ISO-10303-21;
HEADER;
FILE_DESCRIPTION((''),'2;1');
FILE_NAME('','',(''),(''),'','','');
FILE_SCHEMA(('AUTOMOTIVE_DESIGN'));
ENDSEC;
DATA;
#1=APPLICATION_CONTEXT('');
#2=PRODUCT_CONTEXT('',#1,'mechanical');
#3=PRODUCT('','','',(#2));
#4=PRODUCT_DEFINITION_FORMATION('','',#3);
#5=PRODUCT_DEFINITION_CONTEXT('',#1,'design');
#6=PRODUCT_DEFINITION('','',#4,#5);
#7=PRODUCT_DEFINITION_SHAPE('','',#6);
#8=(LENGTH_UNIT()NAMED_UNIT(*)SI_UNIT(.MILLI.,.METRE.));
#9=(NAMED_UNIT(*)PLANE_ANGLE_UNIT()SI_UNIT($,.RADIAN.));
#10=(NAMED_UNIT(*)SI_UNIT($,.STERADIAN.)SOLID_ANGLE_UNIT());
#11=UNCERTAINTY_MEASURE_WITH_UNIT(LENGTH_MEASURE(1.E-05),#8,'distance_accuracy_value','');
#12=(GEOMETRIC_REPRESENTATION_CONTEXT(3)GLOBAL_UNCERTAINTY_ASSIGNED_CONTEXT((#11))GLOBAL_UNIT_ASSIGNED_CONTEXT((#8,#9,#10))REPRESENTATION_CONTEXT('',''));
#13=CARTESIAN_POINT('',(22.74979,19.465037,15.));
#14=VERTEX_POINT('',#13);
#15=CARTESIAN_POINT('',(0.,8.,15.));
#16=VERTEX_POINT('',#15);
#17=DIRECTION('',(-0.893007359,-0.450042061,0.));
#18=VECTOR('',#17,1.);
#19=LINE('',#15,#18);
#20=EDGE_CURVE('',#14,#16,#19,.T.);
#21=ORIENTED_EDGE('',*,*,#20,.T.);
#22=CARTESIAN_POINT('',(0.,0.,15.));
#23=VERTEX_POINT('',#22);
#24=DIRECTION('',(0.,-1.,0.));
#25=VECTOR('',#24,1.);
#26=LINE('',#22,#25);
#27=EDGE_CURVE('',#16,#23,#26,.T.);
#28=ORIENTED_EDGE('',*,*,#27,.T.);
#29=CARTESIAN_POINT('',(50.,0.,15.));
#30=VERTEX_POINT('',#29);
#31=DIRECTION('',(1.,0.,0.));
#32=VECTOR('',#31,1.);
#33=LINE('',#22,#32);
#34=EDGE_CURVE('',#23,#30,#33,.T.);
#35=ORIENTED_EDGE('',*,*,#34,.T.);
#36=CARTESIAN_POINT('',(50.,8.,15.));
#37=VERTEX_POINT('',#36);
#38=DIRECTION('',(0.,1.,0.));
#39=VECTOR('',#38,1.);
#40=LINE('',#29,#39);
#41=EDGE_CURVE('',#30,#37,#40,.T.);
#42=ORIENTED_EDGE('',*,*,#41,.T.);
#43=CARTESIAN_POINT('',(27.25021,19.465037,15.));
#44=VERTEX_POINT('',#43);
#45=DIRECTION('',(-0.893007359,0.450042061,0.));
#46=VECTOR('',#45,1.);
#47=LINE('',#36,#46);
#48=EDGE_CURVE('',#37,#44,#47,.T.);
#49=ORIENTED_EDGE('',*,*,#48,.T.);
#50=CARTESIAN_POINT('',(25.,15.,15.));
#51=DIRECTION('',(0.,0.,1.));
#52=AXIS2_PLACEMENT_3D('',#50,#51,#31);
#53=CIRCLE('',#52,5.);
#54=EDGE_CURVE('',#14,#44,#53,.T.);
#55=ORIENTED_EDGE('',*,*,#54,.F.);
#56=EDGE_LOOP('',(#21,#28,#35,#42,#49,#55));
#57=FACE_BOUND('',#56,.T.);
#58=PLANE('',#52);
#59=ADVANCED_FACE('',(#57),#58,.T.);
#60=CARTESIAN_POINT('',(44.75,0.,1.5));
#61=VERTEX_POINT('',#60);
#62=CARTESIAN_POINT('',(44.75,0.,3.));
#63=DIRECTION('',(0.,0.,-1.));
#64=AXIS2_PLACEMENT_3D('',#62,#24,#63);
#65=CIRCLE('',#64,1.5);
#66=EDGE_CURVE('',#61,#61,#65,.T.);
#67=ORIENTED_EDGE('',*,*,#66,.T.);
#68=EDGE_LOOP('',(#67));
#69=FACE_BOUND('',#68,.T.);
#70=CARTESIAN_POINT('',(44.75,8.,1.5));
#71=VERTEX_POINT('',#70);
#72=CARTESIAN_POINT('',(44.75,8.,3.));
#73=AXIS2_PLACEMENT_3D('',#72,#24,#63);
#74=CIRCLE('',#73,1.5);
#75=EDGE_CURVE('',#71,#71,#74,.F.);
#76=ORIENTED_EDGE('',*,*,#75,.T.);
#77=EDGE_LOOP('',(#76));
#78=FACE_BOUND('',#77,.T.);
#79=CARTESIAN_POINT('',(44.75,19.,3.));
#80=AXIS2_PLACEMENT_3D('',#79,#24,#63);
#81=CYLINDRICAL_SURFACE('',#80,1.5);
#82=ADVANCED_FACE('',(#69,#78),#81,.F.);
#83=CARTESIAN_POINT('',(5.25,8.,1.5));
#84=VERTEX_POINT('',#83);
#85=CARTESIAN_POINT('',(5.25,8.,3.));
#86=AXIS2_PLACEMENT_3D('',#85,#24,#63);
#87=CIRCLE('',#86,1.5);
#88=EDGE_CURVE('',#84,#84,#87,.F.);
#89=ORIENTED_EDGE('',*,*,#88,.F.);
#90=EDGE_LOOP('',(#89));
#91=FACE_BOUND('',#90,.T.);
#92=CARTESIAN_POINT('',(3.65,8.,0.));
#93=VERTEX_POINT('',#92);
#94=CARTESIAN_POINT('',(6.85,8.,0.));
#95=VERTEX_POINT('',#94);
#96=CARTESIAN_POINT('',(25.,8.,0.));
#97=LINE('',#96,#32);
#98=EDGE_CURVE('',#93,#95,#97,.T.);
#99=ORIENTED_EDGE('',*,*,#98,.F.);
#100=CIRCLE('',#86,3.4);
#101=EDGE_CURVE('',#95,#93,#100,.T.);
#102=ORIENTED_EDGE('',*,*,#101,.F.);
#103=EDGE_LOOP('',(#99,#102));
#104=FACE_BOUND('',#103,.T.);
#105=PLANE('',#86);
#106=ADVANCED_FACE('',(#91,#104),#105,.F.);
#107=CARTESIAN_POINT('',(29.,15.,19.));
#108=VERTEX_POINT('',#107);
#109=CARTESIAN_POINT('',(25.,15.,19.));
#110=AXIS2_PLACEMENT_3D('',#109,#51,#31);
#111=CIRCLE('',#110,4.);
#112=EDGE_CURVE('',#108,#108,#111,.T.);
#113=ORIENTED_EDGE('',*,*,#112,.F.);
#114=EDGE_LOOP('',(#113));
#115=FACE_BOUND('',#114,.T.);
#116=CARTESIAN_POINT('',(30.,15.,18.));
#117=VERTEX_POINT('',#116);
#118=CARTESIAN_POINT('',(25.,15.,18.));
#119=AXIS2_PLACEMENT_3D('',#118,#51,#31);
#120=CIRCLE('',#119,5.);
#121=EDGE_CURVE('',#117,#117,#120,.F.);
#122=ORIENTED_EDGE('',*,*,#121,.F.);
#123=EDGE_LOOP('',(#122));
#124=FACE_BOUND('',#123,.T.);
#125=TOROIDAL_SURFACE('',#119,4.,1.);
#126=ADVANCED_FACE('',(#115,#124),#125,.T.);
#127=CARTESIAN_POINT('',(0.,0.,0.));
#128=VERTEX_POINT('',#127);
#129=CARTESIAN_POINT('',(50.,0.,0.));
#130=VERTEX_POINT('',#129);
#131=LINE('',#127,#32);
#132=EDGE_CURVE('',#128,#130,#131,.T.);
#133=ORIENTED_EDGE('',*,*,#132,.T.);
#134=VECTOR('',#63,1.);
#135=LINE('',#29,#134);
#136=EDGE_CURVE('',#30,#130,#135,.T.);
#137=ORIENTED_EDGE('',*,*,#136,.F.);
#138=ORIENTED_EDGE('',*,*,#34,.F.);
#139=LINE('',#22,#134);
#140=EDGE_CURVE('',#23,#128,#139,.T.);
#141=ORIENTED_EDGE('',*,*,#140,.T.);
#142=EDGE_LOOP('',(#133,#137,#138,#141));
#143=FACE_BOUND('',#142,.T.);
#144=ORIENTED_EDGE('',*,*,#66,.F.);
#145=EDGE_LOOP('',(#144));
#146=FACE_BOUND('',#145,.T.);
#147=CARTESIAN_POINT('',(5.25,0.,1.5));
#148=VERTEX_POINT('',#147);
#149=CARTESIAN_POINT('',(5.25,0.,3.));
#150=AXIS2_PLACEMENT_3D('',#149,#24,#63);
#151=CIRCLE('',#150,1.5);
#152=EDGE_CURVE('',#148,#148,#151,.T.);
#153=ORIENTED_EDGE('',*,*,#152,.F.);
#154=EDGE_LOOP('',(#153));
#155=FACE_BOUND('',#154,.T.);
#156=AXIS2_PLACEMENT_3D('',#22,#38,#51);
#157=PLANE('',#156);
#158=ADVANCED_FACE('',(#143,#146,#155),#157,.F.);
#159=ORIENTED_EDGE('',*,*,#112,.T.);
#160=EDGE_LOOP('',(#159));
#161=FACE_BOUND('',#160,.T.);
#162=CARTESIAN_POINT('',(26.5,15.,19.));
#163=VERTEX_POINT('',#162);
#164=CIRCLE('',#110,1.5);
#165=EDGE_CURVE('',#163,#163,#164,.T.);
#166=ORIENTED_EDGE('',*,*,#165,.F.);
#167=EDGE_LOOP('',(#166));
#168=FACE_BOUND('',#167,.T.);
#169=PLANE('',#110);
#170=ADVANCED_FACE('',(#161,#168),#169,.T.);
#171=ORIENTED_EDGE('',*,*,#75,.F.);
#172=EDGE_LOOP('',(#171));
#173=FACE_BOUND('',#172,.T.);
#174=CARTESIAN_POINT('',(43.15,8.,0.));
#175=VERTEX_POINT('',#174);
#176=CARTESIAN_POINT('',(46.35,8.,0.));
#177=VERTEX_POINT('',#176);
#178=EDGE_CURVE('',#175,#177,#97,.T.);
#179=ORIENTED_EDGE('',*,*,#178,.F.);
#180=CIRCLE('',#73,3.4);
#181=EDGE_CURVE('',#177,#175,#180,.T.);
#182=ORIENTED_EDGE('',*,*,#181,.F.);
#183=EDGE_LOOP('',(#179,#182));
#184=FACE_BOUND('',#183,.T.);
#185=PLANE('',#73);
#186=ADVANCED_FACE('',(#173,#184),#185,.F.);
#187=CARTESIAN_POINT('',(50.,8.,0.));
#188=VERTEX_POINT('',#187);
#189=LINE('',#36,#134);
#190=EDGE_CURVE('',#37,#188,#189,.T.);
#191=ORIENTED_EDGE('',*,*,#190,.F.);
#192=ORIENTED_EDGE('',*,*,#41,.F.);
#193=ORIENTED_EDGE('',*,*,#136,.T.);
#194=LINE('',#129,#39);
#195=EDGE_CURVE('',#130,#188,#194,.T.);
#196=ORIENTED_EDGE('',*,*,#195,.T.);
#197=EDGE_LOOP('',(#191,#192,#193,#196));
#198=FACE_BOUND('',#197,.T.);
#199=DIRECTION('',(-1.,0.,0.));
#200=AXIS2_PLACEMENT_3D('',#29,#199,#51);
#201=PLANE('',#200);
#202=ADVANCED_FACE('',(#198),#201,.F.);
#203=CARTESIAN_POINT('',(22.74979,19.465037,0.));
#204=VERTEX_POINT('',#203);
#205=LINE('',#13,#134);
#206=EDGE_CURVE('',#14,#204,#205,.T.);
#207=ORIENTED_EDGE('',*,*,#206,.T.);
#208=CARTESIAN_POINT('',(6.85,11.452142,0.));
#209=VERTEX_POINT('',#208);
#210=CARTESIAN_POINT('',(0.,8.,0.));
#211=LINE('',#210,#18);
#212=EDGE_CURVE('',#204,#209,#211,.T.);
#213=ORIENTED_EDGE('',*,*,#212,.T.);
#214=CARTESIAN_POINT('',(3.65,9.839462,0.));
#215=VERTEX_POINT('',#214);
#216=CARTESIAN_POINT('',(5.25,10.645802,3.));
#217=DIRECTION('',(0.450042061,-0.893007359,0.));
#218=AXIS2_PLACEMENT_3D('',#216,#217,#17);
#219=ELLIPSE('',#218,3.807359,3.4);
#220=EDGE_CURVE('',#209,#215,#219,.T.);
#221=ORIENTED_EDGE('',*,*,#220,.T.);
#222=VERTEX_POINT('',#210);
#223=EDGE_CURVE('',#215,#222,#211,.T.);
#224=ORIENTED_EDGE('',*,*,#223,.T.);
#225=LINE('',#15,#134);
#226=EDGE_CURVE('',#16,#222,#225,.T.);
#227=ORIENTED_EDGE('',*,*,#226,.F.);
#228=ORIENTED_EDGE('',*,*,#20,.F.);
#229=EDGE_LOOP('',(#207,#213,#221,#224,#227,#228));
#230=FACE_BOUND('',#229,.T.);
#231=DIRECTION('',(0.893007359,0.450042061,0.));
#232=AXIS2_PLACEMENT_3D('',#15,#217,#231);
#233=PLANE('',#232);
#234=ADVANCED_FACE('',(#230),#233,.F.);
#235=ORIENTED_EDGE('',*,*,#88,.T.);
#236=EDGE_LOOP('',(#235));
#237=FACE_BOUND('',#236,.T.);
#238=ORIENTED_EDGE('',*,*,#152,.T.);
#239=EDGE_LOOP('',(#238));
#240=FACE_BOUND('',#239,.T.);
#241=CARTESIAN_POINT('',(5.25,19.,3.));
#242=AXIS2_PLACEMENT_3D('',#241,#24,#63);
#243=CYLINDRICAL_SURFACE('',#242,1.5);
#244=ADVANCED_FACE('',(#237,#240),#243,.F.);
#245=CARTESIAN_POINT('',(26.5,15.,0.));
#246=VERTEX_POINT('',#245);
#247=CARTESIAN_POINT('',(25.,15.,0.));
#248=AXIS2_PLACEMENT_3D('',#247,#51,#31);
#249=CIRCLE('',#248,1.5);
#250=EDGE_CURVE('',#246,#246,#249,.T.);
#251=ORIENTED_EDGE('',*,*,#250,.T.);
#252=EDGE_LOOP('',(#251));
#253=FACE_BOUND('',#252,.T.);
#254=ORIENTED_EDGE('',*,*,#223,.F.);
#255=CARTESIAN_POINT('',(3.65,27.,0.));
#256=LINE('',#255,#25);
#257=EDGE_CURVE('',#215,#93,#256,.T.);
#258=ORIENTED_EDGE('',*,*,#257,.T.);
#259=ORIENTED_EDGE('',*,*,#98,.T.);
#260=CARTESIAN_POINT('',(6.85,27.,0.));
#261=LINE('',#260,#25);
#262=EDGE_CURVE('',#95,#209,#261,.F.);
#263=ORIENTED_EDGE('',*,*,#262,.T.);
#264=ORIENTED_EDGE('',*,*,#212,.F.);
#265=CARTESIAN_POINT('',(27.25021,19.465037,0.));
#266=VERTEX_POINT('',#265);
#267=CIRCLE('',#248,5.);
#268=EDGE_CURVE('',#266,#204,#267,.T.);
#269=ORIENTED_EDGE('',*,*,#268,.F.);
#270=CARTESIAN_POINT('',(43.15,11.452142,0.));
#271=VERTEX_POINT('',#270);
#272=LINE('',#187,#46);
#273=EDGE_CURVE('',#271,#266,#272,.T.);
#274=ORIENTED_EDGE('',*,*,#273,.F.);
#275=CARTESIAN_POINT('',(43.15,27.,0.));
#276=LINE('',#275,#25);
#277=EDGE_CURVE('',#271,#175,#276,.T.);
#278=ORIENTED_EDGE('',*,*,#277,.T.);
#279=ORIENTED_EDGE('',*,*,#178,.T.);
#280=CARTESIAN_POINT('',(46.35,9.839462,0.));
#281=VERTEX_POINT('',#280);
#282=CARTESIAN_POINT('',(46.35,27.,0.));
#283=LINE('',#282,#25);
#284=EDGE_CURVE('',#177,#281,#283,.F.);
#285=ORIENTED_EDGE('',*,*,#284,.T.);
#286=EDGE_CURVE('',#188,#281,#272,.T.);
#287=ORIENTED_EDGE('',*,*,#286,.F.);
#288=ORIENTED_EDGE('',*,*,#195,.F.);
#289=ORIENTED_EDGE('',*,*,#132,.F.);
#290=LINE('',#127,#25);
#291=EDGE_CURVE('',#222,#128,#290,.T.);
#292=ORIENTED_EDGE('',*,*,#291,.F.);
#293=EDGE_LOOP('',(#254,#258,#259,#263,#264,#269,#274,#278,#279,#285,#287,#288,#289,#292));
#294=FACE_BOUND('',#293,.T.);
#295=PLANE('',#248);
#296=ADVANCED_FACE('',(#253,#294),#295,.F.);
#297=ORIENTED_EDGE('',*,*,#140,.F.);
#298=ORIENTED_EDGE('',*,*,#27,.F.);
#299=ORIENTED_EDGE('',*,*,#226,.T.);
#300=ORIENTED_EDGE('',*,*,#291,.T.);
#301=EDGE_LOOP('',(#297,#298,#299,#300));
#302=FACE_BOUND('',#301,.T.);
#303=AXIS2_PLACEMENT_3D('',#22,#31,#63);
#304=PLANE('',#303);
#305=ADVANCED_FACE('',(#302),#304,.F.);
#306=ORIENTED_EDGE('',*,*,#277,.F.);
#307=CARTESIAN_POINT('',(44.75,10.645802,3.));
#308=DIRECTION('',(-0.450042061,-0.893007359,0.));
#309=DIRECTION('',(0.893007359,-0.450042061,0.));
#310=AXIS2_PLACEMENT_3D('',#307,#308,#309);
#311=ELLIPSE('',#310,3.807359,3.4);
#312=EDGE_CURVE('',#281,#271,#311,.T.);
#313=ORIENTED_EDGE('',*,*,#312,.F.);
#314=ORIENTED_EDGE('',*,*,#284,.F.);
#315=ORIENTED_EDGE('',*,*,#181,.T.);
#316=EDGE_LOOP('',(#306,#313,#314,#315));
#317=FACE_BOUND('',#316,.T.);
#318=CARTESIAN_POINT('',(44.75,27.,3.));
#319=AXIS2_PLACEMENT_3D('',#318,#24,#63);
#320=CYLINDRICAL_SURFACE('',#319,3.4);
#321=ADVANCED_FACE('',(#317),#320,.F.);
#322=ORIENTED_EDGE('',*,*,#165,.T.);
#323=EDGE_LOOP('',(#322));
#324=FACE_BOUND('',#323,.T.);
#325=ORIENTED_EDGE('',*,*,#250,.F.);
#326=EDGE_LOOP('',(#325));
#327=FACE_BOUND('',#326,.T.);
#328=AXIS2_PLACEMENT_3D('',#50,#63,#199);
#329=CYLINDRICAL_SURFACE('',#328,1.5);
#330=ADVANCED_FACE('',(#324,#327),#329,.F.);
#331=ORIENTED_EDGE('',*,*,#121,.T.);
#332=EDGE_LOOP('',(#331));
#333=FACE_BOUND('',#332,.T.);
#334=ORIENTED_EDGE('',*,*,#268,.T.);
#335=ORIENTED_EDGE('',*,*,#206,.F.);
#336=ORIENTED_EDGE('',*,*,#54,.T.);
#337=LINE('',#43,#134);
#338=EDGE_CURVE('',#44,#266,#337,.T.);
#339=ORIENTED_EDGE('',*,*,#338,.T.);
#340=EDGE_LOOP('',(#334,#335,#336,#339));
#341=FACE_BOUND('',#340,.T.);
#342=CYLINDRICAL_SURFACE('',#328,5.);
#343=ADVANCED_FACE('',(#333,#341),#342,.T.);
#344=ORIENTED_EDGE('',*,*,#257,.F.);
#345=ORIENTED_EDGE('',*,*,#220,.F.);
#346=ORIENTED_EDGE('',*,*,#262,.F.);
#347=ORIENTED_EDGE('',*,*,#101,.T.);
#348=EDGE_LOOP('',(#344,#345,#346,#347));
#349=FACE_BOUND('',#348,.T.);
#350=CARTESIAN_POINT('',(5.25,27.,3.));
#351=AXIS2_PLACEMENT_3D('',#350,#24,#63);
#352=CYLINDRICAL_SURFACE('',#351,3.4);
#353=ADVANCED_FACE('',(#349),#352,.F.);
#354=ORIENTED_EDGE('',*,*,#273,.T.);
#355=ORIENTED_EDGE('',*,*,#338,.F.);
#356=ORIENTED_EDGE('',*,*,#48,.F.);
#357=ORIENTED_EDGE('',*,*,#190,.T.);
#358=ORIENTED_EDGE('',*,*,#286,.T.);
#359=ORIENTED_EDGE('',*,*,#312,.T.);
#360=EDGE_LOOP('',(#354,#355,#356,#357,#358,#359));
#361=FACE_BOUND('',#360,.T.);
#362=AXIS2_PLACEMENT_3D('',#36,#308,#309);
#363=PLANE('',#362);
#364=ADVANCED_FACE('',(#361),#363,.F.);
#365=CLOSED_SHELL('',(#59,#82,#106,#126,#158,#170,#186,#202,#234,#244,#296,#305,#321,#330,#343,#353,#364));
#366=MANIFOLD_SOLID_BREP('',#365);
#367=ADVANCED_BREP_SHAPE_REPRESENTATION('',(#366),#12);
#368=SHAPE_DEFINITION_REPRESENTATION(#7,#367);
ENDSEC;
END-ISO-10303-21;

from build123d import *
from build123d.topology import SkipClean

# Parameters (mm, degrees)
SKETCH_1_R          = 1.5
EXTRUDE_1_DEPTH     = 15
SKETCH_2_R          = 5
SKETCH_2_R_2        = 1.5
EXTRUDE_2_DEPTH     = 4
FILLET_1_R          = 1
SKETCH_3_R          = 1.5
CUT_EXTRUDE_1_DEPTH = 19
SKETCH_4_R          = 3.4
CUT_EXTRUDE_3_DEPTH = 19


with BuildPart() as part:
    # 草图1 → 凸台-拉伸1 (new body)
    with BuildSketch(Plane.XY):
        with BuildLine():
            Line((0, 0), (50, 0))
            Line((50, 0), (50, 8))
            Line((50, 8), (27.250210303, 19.465036796))
            ThreePointArc((27.250210303, 19.465036796), (25, 20), (22.749789697, 19.465036796))
            Line((22.749789697, 19.465036796), (0, 8))
            Line((0, 8), (0, 0))
        make_face()
        with Locations((25, 15)):
            Circle(SKETCH_1_R, mode=Mode.SUBTRACT)
    extrude(amount=EXTRUDE_1_DEPTH)

    # 草图2 → 凸台-拉伸2 (add)
    with BuildSketch(Plane.XY.offset(15)):
        with Locations(Location((25, 15, 0), (0, 0, 116.746382546))):
            Circle(SKETCH_2_R)
        with Locations((25, 15)):
            Circle(SKETCH_2_R_2, mode=Mode.SUBTRACT)
    extrude(amount=EXTRUDE_2_DEPTH)

    # 圆角1
    fillet_1_edges = [part.edges().sort_by_distance(p)[0] for p in [
        (27.250210303, 10.534963204, 19),
    ]]
    fillet(fillet_1_edges, radius=FILLET_1_R)

    # 草图3 → 切除-拉伸1 (cut)
    with SkipClean():  # the faces are left unmerged after this step: merging them gives an invalid solid
        with BuildSketch(Plane.XZ):
            with Locations(Location((5.25, 3, 0), (0, 0, 270))):
                Circle(SKETCH_3_R)
            with Locations(Location((44.75, 3, 0), (0, 0, 270))):
                Circle(SKETCH_3_R)
        extrude(amount=-CUT_EXTRUDE_1_DEPTH, mode=Mode.SUBTRACT)

    # 草图4 → 切除-拉伸3 (cut)
    with SkipClean():  # the faces are left unmerged after this step: merging them gives an invalid solid
        with BuildSketch(Plane(origin=(0, 8, 0), x_dir=(-1, 0, 0), z_dir=(0, -1, 0))):
            with Locations((-44.75, -3)):
                Circle(SKETCH_4_R)
            with Locations((-5.25, -3)):
                Circle(SKETCH_4_R)
        extrude(amount=-CUT_EXTRUDE_3_DEPTH, mode=Mode.SUBTRACT)


solid = part.part
